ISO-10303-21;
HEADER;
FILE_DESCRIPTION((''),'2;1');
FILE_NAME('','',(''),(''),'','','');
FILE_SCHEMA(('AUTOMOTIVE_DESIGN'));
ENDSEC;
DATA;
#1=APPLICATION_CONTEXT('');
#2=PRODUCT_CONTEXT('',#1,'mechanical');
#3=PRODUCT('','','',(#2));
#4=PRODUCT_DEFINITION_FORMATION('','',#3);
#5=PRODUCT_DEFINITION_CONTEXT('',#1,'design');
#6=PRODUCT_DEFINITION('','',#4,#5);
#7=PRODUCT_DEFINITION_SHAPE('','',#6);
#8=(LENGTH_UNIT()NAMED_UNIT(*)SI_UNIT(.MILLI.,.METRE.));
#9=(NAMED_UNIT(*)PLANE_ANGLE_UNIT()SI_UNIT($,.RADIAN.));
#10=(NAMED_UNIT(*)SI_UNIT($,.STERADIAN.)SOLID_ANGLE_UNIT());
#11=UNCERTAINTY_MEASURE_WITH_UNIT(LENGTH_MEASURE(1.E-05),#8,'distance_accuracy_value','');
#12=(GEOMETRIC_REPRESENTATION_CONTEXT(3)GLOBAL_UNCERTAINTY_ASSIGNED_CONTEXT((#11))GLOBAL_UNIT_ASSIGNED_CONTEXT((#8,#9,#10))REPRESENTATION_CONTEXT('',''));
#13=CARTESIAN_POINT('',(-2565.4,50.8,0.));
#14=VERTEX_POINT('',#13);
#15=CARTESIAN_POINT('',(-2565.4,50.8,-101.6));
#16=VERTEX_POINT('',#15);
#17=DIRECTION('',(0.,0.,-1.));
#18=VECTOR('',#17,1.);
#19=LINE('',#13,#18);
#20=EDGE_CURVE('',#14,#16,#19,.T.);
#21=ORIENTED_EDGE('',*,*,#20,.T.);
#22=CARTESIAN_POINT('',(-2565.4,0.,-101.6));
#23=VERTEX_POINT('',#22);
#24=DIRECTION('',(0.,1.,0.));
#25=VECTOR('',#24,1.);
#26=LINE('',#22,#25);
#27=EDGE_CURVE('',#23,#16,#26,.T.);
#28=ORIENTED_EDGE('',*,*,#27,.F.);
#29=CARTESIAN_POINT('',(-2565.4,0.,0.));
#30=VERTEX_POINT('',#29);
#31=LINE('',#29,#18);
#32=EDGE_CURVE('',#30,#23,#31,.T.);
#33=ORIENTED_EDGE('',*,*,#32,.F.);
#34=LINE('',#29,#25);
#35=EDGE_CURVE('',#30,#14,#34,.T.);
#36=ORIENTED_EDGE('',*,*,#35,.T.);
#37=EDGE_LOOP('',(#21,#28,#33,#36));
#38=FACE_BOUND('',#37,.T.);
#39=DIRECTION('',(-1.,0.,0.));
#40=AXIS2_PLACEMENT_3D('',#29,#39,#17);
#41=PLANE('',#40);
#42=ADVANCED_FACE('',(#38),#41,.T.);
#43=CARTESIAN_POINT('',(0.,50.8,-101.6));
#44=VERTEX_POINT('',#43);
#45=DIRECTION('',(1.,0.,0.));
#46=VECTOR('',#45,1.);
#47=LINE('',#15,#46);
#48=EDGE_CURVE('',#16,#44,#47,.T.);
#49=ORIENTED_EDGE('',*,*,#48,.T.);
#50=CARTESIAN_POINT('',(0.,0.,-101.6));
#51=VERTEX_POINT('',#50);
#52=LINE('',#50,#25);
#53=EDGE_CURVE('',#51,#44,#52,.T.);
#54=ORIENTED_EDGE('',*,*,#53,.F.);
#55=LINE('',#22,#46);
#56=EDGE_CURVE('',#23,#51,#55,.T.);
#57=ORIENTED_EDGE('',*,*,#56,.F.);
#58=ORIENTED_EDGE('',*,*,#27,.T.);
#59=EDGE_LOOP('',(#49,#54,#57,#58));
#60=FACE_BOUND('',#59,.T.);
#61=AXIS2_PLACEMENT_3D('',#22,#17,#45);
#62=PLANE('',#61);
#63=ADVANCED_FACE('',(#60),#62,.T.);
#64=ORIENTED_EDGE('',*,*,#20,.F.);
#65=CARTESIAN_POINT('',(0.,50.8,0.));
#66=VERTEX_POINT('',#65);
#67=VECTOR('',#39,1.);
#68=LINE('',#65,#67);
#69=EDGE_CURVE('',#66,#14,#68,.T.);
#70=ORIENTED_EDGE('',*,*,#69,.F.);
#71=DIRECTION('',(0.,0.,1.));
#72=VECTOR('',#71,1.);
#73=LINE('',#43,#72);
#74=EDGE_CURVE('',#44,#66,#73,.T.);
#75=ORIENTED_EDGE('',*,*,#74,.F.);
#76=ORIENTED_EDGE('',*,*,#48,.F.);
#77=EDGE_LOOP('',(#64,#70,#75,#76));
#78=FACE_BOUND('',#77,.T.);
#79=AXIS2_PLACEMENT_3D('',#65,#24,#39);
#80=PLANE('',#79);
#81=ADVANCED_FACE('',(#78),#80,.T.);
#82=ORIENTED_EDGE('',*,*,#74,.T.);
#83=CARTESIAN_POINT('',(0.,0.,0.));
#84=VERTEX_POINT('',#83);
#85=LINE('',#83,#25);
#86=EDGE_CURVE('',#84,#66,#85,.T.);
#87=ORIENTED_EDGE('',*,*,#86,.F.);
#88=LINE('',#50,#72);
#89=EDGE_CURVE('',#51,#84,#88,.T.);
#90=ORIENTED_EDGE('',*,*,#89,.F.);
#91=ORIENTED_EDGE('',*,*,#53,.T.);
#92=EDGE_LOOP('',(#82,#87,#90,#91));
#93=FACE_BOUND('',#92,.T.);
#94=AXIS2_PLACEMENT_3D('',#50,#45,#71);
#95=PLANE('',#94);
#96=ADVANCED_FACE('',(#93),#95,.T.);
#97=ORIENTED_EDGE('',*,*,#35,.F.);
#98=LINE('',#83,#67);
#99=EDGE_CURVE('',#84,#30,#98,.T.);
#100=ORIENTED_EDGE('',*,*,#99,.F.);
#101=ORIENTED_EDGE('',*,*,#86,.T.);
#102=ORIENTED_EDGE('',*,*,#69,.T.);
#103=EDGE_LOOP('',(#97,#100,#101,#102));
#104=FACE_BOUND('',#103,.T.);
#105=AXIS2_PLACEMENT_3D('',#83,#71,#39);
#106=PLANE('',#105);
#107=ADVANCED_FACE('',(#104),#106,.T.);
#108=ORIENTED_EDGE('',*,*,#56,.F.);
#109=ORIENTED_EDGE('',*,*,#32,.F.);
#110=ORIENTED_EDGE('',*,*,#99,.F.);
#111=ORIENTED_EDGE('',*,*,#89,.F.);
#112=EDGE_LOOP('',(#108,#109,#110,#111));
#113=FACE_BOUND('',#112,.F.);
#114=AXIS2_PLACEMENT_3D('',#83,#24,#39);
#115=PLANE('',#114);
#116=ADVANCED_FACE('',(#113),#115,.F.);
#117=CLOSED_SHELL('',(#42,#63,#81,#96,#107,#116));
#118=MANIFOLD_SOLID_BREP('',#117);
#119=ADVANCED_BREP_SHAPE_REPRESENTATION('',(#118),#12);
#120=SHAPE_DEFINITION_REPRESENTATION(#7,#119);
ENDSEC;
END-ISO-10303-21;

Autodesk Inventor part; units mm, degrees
ref_plane "YZ Plane" through (0, 0, 0) normal (1, 0, 0) x (0, 1, 0)
ref_plane "XZ Plane" through (0, 0, 0) normal (0, 1, 0) x (-1, 0, 0)
ref_plane "XY Plane" through (0, 0, 0) normal (0, 0, 1) x (1, 0, 0)
sketch "Sketch1" plane through (0, 0, 0) normal (0, 1, 0) x (-1, 0, 0)
  line L0 (0, 0) -> (2565.4, 0)
  line L1 (2565.4, 0) -> (2565.4, -101.6)
  line L2 (2565.4, -101.6) -> (0, -101.6)
  line L3 (0, -101.6) -> (0, 0)
  dimension "d0" = 2565.4
  dimension "d1" = 101.6
extrude "Extrusion1" add sketch "Sketch1" along normal blind 50.8
properties part number "2x4x101"
